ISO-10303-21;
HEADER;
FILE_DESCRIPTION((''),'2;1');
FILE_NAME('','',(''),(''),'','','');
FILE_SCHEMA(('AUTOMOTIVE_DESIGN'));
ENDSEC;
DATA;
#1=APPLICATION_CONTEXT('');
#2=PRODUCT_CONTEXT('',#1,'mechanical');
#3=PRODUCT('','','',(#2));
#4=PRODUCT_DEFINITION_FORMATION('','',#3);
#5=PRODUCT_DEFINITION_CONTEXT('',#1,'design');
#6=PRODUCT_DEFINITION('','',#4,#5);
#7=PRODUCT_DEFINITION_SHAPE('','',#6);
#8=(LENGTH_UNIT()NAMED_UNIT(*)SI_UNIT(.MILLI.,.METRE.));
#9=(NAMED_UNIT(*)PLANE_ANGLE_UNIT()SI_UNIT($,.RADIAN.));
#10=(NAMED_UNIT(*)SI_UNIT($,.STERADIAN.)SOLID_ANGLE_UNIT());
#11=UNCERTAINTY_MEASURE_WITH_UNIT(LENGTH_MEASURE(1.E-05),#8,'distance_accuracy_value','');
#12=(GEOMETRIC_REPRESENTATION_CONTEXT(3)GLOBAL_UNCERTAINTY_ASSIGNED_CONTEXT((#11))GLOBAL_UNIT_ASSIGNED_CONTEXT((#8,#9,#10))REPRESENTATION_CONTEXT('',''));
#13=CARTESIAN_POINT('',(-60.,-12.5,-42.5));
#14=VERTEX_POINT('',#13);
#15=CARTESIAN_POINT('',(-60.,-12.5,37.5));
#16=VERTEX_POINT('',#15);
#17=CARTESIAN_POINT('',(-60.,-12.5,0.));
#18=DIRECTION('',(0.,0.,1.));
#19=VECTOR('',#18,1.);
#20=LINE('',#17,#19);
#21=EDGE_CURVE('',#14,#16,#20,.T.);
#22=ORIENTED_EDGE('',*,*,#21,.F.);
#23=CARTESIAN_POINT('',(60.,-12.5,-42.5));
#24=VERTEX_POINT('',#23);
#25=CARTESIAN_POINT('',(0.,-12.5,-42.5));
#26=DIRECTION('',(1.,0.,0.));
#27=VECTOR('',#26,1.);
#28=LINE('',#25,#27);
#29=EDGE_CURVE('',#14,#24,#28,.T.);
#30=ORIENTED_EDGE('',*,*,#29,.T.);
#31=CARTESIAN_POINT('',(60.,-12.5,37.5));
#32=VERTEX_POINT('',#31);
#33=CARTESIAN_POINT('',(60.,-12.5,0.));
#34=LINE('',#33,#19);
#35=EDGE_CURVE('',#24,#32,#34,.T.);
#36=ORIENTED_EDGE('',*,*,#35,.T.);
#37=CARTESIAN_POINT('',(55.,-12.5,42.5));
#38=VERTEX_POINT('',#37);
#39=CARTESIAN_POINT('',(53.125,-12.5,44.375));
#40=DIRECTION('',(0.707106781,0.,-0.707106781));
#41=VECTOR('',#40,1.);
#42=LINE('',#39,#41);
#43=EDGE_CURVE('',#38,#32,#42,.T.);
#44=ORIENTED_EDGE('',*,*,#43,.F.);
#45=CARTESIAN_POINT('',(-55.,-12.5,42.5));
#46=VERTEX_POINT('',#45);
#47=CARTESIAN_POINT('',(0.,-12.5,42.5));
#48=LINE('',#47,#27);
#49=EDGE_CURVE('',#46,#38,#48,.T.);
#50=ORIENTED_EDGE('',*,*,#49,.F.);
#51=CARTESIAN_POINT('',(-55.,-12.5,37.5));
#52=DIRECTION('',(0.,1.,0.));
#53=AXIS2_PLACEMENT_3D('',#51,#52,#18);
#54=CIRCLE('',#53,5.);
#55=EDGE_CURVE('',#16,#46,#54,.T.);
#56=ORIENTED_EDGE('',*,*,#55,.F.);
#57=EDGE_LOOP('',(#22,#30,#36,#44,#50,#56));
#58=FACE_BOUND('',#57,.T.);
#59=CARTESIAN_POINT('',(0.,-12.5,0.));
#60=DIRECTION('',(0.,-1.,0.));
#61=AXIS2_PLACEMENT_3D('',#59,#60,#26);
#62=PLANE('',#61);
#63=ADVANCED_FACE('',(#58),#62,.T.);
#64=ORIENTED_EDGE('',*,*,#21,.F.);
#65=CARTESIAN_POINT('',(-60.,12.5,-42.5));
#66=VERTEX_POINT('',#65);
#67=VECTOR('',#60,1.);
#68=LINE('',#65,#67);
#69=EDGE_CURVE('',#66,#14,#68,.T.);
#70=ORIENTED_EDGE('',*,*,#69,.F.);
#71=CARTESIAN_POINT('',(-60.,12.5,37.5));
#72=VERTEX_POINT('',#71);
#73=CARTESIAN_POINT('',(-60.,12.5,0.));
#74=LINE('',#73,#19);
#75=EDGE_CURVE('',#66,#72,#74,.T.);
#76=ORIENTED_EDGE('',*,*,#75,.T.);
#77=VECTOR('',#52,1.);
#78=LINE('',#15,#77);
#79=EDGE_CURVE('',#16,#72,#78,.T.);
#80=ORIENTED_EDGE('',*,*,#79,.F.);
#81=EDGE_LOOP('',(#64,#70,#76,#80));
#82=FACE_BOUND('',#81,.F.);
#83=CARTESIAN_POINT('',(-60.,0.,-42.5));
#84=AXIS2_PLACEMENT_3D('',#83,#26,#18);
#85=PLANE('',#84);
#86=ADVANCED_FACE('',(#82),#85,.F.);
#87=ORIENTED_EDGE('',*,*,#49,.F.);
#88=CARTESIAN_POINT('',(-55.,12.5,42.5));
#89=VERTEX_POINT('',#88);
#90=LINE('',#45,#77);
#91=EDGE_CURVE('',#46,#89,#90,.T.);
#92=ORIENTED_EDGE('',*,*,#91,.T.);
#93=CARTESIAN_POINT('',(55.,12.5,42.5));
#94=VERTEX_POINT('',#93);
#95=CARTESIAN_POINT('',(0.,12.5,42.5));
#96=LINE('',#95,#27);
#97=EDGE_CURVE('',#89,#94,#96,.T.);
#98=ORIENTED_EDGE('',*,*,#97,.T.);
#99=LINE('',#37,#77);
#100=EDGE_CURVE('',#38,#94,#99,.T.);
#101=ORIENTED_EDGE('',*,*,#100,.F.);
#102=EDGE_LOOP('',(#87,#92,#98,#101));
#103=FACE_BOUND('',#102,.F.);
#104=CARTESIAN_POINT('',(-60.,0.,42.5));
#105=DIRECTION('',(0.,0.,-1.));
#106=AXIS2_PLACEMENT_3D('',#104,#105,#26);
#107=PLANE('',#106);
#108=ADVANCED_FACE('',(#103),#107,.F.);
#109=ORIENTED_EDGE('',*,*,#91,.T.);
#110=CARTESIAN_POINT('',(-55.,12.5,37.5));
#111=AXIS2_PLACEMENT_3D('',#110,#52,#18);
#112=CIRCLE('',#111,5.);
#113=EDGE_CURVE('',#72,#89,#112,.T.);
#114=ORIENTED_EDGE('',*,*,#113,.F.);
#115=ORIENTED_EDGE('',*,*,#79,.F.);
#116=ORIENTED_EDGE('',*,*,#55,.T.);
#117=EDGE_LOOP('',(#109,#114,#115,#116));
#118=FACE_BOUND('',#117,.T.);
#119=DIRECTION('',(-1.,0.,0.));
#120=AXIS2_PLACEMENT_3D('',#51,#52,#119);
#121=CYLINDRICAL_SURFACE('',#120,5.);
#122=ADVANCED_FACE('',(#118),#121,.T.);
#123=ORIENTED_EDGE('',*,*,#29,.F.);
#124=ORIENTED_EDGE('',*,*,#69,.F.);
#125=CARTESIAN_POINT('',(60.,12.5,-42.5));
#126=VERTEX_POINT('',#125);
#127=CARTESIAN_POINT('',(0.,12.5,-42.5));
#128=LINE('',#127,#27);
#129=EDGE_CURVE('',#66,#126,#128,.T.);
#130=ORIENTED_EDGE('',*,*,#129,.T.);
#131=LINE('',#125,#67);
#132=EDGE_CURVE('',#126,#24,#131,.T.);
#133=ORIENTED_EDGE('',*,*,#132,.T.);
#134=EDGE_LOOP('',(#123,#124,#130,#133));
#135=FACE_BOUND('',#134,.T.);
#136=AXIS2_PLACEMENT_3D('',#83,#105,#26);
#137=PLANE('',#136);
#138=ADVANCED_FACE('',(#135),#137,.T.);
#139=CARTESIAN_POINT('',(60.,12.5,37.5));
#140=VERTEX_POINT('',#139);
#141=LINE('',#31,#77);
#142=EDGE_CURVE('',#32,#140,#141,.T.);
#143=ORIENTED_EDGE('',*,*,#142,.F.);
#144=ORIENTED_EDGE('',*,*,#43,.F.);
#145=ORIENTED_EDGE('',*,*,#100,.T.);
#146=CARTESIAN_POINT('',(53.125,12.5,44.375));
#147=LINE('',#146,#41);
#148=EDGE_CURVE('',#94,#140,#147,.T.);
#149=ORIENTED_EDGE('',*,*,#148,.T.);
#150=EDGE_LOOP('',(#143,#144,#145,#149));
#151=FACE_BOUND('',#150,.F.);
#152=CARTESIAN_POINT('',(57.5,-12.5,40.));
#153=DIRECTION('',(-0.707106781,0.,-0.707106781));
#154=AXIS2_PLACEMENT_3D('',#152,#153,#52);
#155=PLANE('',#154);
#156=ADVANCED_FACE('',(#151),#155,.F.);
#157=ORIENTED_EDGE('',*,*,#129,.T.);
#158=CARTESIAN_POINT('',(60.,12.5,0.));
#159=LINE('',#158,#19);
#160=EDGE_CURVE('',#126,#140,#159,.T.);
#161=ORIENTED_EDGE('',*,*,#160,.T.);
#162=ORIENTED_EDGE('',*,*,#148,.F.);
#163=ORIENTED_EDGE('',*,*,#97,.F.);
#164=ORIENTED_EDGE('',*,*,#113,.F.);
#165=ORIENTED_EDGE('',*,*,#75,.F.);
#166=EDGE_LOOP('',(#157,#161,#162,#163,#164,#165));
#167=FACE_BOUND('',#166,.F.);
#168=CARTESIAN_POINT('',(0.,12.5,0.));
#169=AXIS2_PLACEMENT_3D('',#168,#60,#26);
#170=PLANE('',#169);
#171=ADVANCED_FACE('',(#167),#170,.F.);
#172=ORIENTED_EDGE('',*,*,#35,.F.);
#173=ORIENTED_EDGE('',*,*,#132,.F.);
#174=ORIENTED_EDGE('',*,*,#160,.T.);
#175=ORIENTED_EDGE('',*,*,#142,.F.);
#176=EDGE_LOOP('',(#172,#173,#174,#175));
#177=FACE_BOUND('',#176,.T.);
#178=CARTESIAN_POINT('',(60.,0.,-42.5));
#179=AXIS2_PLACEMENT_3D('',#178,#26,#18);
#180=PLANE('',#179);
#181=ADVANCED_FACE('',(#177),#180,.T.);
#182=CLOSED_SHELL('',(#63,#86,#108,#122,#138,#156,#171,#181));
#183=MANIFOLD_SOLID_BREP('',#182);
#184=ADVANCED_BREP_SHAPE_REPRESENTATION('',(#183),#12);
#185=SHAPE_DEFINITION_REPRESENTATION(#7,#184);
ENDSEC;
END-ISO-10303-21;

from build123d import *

# Parameters (mm, degrees)
F0_W     = 120
F0_H     = 85
F1_DEPTH = 12.5
F2_R     = 5
F3_SIZE  = 5


with BuildPart() as f1:
    # F0 (on Front) → F1 (new body, symmetric)
    with BuildSketch(Plane.XZ):
        Rectangle(F0_W, F0_H)
    extrude(amount=F1_DEPTH, both=True)

    # F2
    f2_edges = [f1.edges().sort_by_distance(p)[0] for p in [
        (-60, 0, 42.5),
    ]]
    fillet(f2_edges, radius=F2_R)

    # F3
    f3_edges = [f1.edges().sort_by_distance(p)[0] for p in [
        (60, 0, 42.5),
    ]]
    chamfer(f3_edges, length=F3_SIZE)


solid = f1.part
